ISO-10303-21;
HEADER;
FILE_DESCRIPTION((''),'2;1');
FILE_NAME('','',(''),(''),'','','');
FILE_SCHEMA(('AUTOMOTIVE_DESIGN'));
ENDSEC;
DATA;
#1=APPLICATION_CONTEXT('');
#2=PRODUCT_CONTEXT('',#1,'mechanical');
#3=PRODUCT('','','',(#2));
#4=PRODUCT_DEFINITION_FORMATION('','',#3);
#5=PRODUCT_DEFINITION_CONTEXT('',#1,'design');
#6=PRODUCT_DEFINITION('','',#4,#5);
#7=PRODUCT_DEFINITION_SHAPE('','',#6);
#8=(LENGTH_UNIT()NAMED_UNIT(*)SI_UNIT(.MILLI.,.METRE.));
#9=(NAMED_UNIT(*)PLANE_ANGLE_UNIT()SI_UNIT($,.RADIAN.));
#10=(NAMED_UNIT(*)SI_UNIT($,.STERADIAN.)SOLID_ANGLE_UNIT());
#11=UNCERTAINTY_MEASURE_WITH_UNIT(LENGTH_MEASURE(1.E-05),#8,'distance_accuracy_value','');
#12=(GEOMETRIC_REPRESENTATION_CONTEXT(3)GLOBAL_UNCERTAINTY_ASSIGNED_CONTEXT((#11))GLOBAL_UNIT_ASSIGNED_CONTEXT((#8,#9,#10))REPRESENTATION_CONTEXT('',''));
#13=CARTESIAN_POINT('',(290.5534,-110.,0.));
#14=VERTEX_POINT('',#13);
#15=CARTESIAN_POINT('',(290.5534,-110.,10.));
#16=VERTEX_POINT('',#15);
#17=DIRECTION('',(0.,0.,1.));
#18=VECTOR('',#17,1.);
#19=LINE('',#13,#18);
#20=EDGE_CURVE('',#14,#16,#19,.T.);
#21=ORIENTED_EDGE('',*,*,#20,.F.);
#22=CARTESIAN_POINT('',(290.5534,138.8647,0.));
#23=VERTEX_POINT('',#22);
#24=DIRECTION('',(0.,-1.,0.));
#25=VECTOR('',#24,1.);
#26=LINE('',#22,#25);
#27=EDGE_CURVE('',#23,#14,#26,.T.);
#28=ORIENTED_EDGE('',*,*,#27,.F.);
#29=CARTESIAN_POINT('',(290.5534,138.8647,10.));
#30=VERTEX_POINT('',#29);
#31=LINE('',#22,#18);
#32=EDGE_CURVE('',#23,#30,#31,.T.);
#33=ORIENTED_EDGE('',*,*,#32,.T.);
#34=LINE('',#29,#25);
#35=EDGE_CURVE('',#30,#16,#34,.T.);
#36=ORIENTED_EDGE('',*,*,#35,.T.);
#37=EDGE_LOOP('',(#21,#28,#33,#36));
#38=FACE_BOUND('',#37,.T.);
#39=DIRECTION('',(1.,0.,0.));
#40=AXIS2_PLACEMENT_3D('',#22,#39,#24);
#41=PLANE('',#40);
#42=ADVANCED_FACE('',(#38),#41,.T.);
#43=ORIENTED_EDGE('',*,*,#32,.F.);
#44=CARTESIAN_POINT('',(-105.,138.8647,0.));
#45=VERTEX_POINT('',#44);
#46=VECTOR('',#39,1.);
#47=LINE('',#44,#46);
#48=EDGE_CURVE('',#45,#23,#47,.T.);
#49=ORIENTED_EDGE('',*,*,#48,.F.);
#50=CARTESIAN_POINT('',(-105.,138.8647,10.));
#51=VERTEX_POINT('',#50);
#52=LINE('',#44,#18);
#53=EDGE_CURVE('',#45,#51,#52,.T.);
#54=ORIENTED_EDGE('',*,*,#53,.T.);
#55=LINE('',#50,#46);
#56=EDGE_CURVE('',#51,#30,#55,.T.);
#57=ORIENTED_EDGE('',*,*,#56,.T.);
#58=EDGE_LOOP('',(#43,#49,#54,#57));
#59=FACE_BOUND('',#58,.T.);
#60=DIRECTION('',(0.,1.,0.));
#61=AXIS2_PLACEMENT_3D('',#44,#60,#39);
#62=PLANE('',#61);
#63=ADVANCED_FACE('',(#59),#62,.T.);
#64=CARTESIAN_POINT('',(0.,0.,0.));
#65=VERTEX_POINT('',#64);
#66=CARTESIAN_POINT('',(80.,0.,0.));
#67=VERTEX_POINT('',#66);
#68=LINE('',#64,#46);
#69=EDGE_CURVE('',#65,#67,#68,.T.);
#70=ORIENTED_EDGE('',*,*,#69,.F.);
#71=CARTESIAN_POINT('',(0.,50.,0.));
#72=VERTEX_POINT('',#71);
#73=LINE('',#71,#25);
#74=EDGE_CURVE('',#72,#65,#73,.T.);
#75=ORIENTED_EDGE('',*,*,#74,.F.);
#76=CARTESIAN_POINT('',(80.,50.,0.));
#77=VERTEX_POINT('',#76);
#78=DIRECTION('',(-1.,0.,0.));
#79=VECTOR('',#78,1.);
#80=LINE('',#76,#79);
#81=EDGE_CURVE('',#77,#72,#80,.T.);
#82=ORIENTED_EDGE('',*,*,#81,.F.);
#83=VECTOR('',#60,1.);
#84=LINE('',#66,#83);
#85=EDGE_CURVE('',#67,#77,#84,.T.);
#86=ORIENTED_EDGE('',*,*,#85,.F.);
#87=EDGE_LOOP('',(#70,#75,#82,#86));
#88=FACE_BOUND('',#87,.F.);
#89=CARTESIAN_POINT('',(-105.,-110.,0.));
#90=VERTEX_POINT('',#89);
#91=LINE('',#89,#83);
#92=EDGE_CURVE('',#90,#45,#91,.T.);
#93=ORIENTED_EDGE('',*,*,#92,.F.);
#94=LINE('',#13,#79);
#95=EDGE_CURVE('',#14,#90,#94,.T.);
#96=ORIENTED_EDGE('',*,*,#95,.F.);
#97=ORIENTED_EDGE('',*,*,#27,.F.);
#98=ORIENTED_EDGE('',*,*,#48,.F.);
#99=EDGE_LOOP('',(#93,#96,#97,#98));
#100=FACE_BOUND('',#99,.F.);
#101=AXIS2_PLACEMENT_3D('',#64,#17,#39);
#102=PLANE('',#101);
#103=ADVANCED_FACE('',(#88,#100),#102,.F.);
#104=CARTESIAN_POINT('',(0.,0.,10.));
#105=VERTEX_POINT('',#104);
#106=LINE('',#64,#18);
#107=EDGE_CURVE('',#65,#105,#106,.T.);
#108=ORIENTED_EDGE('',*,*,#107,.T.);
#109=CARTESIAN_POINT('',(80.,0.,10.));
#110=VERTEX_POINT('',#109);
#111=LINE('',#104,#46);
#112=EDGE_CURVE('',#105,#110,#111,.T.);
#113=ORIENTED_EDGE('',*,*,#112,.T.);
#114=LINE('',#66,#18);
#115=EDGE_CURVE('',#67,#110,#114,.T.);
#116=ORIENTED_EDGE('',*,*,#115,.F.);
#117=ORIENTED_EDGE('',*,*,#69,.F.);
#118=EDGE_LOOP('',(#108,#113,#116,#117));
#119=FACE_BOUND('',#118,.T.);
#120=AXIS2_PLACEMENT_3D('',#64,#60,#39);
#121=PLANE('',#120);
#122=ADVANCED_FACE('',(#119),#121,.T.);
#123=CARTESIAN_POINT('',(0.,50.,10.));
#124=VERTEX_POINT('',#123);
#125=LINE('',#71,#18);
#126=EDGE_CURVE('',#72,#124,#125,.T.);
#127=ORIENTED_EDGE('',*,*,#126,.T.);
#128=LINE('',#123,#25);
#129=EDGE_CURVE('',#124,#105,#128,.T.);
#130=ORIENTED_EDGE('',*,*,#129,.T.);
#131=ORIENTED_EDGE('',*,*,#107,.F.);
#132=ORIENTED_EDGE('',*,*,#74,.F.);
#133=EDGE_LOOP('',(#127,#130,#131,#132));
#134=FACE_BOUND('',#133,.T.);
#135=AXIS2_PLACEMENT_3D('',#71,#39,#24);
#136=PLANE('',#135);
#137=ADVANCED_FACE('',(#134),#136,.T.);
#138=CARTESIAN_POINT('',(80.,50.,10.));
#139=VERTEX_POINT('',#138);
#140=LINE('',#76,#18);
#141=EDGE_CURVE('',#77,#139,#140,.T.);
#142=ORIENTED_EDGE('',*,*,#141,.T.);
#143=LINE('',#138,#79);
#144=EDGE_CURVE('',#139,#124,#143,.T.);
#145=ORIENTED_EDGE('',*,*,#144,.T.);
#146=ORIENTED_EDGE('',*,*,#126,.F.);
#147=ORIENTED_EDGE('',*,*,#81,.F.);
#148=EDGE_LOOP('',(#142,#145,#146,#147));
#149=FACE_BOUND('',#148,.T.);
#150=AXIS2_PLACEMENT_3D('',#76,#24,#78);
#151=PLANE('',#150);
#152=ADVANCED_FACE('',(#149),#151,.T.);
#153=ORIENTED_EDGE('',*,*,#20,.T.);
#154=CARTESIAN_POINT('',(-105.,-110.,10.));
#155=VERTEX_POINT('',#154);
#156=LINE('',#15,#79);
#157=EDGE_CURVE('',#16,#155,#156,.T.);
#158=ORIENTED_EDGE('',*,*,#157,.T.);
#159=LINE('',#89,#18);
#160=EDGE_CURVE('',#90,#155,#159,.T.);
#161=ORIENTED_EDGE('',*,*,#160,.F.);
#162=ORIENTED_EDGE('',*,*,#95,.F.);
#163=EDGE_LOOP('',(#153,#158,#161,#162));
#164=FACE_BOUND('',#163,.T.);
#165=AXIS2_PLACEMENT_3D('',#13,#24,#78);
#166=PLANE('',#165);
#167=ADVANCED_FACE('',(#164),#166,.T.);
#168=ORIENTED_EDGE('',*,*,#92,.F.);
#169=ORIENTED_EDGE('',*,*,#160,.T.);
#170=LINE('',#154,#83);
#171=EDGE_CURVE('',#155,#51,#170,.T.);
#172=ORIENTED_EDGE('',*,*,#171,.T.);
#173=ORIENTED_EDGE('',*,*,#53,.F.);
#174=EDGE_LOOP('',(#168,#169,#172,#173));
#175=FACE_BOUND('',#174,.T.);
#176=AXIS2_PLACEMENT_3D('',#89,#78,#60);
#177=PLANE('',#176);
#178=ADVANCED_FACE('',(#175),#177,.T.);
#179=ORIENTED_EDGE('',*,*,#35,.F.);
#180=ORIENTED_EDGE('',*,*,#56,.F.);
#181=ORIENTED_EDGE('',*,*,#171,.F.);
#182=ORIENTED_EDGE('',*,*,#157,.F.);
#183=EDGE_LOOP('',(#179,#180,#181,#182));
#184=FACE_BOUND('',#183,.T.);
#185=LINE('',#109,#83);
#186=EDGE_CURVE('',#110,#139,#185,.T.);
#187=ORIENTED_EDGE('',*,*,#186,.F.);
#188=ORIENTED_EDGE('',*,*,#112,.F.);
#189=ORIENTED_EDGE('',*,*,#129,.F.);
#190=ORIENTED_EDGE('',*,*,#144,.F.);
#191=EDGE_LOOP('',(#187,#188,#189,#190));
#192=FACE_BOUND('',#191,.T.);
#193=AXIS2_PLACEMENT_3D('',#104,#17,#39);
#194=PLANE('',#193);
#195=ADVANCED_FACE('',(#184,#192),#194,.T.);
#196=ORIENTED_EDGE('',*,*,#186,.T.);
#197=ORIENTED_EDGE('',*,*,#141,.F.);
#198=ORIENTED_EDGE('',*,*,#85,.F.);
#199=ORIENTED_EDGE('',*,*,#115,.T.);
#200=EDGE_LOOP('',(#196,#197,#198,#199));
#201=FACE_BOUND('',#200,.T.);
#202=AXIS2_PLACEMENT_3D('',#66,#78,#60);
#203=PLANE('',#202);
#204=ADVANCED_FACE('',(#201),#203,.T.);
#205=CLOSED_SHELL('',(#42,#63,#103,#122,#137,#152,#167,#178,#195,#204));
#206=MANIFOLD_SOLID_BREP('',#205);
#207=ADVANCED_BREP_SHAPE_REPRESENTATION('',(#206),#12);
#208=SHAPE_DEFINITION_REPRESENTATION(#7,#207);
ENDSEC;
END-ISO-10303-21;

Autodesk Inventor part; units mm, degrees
ref_plane "YZ Plane" through (0, 0, 0) normal (1, 0, 0) x (0, 1, 0)
ref_plane "XZ Plane" through (0, 0, 0) normal (0, 1, 0) x (-1, 0, 0)
ref_plane "XY Plane" through (0, 0, 0) normal (0, 0, 1) x (1, 0, 0)
sketch "Sketch1" plane through (0, 0, 0) normal (0, 0, 1) x (1, 0, 0)
  line L0 (0, 0) -> (80, 0)
  line L1 (80, 0) -> (80, 50)
  line L2 (80, 50) -> (0, 50)
  line L3 (0, 50) -> (0, 0)
  line L4 (290.5534, -110) -> (-105, -110)
  line L5 (-105, -110) -> (-105, 138.8647)
  line L6 (-105, 138.8647) -> (290.5534, 138.8647)
  line L7 (290.5534, 138.8647) -> (290.5534, -110)
  line L8 (290.5534, -110) -> (-105, 138.8647) construction
  line L9 (-105, -110) -> (290.5534, 138.8647) construction
  point P0 (92.7767, 14.4323)
  dimension "d0" = 80
  dimension "d1" = 50
  dimension "d4" = 105
  dimension "d5" = 110
extrude "Extrusion1" add sketch "Sketch1" along normal blind 10
properties part number "BoxCotout"
